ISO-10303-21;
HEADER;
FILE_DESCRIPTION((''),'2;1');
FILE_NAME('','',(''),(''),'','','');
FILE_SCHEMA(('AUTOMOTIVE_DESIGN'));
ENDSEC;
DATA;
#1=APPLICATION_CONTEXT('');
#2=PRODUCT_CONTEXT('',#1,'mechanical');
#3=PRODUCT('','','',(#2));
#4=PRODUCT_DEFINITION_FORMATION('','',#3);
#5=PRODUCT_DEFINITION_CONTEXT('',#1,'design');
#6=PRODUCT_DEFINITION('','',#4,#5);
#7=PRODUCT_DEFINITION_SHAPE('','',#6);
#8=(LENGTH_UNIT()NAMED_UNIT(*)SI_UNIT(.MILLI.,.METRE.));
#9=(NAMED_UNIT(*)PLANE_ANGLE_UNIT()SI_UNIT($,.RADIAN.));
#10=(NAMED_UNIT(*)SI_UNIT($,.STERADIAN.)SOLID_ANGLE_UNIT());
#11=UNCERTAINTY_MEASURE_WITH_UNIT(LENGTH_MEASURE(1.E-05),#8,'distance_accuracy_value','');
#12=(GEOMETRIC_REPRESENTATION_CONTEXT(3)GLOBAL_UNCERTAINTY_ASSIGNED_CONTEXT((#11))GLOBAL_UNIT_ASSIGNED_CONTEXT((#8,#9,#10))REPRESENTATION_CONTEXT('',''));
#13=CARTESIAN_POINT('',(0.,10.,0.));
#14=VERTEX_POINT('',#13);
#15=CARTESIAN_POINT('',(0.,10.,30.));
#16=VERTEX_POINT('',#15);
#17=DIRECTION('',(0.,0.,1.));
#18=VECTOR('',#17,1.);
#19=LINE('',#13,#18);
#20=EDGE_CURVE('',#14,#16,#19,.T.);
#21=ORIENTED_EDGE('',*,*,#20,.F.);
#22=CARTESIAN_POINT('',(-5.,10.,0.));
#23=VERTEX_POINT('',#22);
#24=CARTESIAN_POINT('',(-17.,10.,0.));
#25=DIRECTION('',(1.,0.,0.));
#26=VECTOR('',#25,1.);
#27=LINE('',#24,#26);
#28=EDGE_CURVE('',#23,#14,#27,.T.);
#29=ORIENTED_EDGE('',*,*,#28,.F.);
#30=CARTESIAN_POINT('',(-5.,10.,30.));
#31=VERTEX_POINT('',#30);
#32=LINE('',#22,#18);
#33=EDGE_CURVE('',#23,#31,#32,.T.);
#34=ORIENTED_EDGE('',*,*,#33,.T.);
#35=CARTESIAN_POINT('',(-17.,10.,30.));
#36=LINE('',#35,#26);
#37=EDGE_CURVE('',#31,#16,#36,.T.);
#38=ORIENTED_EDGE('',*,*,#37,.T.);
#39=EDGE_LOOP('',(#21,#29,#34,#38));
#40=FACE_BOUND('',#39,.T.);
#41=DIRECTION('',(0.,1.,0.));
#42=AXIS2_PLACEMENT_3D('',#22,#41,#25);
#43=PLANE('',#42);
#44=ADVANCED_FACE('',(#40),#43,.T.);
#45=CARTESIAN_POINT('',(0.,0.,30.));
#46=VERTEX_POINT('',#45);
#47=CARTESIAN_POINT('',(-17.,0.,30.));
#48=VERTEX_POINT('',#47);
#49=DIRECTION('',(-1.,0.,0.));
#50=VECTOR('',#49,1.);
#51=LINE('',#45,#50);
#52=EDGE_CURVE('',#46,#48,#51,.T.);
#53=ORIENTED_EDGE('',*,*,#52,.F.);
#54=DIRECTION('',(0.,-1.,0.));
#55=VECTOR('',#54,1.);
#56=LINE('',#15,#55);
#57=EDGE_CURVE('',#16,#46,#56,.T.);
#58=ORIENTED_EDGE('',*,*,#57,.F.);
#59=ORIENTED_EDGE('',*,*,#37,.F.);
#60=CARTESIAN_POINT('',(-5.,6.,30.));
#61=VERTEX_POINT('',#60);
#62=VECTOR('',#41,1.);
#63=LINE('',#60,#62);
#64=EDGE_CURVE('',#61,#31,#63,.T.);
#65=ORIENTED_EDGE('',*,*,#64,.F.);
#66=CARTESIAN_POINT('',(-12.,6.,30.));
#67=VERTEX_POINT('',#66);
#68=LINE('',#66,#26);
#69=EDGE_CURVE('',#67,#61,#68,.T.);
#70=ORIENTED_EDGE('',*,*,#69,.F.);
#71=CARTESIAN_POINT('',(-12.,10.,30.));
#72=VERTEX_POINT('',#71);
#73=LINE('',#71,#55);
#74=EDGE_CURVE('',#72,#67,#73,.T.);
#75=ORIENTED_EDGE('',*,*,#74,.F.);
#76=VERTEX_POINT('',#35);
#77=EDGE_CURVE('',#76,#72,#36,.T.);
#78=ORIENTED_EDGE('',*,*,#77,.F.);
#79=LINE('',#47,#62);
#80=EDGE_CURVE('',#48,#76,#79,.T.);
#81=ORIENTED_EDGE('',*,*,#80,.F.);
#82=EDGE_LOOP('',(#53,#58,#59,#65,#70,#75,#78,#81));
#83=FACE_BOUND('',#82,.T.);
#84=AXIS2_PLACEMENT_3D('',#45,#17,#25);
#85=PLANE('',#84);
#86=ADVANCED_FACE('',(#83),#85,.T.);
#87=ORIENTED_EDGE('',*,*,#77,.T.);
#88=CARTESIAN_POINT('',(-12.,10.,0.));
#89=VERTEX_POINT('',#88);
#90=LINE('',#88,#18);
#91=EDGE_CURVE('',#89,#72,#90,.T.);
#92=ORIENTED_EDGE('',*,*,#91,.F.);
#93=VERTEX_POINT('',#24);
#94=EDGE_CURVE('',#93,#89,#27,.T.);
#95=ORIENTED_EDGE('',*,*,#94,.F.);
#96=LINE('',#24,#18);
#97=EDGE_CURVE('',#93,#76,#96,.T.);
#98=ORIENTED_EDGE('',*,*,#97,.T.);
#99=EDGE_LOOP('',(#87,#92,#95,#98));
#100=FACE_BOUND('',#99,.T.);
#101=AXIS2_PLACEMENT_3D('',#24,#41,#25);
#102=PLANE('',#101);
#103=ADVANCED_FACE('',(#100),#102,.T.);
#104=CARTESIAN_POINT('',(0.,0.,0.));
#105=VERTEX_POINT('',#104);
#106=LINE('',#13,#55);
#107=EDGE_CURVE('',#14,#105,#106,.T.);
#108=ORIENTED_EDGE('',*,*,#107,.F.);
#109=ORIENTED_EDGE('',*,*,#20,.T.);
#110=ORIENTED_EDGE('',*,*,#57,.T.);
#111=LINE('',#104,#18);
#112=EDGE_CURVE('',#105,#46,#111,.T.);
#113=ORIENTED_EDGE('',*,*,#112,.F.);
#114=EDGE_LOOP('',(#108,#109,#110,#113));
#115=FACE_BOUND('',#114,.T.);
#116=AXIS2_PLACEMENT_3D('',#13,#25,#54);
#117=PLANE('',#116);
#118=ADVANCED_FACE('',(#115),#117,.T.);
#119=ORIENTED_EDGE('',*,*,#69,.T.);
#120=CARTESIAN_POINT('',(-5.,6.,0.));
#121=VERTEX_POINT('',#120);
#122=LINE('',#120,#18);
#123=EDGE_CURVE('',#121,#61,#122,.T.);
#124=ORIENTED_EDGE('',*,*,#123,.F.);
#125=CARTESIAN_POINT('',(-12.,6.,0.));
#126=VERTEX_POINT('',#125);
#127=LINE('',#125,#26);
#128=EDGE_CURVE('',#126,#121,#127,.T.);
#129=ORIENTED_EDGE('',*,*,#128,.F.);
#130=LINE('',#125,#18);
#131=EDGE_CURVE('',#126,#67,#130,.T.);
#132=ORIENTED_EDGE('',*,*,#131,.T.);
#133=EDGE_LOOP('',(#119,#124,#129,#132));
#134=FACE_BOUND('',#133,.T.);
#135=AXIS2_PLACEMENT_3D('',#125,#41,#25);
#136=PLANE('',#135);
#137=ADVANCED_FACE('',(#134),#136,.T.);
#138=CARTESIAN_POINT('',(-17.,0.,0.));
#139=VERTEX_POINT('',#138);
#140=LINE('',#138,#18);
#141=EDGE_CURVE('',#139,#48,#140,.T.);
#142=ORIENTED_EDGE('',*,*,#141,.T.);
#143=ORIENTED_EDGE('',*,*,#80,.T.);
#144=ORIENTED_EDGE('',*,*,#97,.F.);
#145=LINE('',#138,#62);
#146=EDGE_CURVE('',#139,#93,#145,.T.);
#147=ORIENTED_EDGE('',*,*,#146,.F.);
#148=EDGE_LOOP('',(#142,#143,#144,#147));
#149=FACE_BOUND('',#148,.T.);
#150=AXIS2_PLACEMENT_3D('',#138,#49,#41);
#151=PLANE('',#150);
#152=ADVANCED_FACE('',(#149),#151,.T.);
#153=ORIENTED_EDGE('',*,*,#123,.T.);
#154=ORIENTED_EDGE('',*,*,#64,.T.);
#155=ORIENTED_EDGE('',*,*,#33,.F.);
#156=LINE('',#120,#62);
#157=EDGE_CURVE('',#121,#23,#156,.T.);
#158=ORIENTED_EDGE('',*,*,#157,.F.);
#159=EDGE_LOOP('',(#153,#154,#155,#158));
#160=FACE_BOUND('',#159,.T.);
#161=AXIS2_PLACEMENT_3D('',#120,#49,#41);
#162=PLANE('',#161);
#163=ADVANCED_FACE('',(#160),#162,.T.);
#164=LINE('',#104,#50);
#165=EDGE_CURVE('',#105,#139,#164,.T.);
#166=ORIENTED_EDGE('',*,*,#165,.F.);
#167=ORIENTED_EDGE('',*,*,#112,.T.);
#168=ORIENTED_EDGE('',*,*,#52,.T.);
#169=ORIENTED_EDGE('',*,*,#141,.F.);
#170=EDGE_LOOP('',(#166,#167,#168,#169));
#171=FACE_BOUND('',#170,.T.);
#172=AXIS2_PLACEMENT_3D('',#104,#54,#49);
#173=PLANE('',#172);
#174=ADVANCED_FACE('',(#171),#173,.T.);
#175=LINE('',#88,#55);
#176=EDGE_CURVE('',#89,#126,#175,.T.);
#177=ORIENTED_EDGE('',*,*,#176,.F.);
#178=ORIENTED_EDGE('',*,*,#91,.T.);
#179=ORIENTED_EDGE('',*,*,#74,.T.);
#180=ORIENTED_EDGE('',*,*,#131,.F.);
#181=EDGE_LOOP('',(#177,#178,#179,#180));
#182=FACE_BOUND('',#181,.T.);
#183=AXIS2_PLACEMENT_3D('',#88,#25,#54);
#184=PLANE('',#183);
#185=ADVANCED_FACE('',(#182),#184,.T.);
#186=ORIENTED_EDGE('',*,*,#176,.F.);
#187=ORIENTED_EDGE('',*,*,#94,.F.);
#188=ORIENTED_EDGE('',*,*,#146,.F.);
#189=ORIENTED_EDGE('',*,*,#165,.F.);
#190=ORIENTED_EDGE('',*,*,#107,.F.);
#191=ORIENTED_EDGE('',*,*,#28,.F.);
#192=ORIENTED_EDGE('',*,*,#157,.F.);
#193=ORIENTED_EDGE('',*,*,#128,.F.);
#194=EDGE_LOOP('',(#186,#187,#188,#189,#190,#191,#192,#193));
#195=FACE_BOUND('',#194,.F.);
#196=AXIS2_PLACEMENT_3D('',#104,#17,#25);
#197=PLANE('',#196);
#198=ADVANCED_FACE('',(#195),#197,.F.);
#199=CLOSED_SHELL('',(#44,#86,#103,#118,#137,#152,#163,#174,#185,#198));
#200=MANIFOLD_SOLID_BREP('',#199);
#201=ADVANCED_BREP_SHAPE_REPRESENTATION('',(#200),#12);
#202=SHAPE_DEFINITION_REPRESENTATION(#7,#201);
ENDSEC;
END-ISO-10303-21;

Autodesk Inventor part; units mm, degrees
ref_plane "YZ Plane" through (0, 0, 0) normal (1, 0, 0) x (0, 1, 0)
ref_plane "XZ Plane" through (0, 0, 0) normal (0, 1, 0) x (-1, 0, 0)
ref_plane "XY Plane" through (0, 0, 0) normal (0, 0, 1) x (1, 0, 0)
sketch "Sketch1" plane through (0, 0, 0) normal (0, 0, 1) x (1, 0, 0)
  line L0 (0, 0) -> (-17, 0)
  line L1 (-17, 0) -> (-17, 10)
  line L2 (-17, 10) -> (0, 10)
  line L3 (0, 10) -> (0, 0)
  line L4 (-5, 10) -> (-12, 10)
  line L5 (-12, 10) -> (-12, 6)
  line L6 (-12, 6) -> (-5, 6)
  line L7 (-5, 6) -> (-5, 10)
  dimension "d0" = 17
  dimension "d2" = 4
  dimension "d3" = 7
  dimension "d4" = 5
  dimension "d5" = 6
extrude "Extrusion1" add sketch "Sketch1" along normal blind 30 contours L0 L1 L2 L5 L6 L7 L3
properties part number "Top Rack V2"
